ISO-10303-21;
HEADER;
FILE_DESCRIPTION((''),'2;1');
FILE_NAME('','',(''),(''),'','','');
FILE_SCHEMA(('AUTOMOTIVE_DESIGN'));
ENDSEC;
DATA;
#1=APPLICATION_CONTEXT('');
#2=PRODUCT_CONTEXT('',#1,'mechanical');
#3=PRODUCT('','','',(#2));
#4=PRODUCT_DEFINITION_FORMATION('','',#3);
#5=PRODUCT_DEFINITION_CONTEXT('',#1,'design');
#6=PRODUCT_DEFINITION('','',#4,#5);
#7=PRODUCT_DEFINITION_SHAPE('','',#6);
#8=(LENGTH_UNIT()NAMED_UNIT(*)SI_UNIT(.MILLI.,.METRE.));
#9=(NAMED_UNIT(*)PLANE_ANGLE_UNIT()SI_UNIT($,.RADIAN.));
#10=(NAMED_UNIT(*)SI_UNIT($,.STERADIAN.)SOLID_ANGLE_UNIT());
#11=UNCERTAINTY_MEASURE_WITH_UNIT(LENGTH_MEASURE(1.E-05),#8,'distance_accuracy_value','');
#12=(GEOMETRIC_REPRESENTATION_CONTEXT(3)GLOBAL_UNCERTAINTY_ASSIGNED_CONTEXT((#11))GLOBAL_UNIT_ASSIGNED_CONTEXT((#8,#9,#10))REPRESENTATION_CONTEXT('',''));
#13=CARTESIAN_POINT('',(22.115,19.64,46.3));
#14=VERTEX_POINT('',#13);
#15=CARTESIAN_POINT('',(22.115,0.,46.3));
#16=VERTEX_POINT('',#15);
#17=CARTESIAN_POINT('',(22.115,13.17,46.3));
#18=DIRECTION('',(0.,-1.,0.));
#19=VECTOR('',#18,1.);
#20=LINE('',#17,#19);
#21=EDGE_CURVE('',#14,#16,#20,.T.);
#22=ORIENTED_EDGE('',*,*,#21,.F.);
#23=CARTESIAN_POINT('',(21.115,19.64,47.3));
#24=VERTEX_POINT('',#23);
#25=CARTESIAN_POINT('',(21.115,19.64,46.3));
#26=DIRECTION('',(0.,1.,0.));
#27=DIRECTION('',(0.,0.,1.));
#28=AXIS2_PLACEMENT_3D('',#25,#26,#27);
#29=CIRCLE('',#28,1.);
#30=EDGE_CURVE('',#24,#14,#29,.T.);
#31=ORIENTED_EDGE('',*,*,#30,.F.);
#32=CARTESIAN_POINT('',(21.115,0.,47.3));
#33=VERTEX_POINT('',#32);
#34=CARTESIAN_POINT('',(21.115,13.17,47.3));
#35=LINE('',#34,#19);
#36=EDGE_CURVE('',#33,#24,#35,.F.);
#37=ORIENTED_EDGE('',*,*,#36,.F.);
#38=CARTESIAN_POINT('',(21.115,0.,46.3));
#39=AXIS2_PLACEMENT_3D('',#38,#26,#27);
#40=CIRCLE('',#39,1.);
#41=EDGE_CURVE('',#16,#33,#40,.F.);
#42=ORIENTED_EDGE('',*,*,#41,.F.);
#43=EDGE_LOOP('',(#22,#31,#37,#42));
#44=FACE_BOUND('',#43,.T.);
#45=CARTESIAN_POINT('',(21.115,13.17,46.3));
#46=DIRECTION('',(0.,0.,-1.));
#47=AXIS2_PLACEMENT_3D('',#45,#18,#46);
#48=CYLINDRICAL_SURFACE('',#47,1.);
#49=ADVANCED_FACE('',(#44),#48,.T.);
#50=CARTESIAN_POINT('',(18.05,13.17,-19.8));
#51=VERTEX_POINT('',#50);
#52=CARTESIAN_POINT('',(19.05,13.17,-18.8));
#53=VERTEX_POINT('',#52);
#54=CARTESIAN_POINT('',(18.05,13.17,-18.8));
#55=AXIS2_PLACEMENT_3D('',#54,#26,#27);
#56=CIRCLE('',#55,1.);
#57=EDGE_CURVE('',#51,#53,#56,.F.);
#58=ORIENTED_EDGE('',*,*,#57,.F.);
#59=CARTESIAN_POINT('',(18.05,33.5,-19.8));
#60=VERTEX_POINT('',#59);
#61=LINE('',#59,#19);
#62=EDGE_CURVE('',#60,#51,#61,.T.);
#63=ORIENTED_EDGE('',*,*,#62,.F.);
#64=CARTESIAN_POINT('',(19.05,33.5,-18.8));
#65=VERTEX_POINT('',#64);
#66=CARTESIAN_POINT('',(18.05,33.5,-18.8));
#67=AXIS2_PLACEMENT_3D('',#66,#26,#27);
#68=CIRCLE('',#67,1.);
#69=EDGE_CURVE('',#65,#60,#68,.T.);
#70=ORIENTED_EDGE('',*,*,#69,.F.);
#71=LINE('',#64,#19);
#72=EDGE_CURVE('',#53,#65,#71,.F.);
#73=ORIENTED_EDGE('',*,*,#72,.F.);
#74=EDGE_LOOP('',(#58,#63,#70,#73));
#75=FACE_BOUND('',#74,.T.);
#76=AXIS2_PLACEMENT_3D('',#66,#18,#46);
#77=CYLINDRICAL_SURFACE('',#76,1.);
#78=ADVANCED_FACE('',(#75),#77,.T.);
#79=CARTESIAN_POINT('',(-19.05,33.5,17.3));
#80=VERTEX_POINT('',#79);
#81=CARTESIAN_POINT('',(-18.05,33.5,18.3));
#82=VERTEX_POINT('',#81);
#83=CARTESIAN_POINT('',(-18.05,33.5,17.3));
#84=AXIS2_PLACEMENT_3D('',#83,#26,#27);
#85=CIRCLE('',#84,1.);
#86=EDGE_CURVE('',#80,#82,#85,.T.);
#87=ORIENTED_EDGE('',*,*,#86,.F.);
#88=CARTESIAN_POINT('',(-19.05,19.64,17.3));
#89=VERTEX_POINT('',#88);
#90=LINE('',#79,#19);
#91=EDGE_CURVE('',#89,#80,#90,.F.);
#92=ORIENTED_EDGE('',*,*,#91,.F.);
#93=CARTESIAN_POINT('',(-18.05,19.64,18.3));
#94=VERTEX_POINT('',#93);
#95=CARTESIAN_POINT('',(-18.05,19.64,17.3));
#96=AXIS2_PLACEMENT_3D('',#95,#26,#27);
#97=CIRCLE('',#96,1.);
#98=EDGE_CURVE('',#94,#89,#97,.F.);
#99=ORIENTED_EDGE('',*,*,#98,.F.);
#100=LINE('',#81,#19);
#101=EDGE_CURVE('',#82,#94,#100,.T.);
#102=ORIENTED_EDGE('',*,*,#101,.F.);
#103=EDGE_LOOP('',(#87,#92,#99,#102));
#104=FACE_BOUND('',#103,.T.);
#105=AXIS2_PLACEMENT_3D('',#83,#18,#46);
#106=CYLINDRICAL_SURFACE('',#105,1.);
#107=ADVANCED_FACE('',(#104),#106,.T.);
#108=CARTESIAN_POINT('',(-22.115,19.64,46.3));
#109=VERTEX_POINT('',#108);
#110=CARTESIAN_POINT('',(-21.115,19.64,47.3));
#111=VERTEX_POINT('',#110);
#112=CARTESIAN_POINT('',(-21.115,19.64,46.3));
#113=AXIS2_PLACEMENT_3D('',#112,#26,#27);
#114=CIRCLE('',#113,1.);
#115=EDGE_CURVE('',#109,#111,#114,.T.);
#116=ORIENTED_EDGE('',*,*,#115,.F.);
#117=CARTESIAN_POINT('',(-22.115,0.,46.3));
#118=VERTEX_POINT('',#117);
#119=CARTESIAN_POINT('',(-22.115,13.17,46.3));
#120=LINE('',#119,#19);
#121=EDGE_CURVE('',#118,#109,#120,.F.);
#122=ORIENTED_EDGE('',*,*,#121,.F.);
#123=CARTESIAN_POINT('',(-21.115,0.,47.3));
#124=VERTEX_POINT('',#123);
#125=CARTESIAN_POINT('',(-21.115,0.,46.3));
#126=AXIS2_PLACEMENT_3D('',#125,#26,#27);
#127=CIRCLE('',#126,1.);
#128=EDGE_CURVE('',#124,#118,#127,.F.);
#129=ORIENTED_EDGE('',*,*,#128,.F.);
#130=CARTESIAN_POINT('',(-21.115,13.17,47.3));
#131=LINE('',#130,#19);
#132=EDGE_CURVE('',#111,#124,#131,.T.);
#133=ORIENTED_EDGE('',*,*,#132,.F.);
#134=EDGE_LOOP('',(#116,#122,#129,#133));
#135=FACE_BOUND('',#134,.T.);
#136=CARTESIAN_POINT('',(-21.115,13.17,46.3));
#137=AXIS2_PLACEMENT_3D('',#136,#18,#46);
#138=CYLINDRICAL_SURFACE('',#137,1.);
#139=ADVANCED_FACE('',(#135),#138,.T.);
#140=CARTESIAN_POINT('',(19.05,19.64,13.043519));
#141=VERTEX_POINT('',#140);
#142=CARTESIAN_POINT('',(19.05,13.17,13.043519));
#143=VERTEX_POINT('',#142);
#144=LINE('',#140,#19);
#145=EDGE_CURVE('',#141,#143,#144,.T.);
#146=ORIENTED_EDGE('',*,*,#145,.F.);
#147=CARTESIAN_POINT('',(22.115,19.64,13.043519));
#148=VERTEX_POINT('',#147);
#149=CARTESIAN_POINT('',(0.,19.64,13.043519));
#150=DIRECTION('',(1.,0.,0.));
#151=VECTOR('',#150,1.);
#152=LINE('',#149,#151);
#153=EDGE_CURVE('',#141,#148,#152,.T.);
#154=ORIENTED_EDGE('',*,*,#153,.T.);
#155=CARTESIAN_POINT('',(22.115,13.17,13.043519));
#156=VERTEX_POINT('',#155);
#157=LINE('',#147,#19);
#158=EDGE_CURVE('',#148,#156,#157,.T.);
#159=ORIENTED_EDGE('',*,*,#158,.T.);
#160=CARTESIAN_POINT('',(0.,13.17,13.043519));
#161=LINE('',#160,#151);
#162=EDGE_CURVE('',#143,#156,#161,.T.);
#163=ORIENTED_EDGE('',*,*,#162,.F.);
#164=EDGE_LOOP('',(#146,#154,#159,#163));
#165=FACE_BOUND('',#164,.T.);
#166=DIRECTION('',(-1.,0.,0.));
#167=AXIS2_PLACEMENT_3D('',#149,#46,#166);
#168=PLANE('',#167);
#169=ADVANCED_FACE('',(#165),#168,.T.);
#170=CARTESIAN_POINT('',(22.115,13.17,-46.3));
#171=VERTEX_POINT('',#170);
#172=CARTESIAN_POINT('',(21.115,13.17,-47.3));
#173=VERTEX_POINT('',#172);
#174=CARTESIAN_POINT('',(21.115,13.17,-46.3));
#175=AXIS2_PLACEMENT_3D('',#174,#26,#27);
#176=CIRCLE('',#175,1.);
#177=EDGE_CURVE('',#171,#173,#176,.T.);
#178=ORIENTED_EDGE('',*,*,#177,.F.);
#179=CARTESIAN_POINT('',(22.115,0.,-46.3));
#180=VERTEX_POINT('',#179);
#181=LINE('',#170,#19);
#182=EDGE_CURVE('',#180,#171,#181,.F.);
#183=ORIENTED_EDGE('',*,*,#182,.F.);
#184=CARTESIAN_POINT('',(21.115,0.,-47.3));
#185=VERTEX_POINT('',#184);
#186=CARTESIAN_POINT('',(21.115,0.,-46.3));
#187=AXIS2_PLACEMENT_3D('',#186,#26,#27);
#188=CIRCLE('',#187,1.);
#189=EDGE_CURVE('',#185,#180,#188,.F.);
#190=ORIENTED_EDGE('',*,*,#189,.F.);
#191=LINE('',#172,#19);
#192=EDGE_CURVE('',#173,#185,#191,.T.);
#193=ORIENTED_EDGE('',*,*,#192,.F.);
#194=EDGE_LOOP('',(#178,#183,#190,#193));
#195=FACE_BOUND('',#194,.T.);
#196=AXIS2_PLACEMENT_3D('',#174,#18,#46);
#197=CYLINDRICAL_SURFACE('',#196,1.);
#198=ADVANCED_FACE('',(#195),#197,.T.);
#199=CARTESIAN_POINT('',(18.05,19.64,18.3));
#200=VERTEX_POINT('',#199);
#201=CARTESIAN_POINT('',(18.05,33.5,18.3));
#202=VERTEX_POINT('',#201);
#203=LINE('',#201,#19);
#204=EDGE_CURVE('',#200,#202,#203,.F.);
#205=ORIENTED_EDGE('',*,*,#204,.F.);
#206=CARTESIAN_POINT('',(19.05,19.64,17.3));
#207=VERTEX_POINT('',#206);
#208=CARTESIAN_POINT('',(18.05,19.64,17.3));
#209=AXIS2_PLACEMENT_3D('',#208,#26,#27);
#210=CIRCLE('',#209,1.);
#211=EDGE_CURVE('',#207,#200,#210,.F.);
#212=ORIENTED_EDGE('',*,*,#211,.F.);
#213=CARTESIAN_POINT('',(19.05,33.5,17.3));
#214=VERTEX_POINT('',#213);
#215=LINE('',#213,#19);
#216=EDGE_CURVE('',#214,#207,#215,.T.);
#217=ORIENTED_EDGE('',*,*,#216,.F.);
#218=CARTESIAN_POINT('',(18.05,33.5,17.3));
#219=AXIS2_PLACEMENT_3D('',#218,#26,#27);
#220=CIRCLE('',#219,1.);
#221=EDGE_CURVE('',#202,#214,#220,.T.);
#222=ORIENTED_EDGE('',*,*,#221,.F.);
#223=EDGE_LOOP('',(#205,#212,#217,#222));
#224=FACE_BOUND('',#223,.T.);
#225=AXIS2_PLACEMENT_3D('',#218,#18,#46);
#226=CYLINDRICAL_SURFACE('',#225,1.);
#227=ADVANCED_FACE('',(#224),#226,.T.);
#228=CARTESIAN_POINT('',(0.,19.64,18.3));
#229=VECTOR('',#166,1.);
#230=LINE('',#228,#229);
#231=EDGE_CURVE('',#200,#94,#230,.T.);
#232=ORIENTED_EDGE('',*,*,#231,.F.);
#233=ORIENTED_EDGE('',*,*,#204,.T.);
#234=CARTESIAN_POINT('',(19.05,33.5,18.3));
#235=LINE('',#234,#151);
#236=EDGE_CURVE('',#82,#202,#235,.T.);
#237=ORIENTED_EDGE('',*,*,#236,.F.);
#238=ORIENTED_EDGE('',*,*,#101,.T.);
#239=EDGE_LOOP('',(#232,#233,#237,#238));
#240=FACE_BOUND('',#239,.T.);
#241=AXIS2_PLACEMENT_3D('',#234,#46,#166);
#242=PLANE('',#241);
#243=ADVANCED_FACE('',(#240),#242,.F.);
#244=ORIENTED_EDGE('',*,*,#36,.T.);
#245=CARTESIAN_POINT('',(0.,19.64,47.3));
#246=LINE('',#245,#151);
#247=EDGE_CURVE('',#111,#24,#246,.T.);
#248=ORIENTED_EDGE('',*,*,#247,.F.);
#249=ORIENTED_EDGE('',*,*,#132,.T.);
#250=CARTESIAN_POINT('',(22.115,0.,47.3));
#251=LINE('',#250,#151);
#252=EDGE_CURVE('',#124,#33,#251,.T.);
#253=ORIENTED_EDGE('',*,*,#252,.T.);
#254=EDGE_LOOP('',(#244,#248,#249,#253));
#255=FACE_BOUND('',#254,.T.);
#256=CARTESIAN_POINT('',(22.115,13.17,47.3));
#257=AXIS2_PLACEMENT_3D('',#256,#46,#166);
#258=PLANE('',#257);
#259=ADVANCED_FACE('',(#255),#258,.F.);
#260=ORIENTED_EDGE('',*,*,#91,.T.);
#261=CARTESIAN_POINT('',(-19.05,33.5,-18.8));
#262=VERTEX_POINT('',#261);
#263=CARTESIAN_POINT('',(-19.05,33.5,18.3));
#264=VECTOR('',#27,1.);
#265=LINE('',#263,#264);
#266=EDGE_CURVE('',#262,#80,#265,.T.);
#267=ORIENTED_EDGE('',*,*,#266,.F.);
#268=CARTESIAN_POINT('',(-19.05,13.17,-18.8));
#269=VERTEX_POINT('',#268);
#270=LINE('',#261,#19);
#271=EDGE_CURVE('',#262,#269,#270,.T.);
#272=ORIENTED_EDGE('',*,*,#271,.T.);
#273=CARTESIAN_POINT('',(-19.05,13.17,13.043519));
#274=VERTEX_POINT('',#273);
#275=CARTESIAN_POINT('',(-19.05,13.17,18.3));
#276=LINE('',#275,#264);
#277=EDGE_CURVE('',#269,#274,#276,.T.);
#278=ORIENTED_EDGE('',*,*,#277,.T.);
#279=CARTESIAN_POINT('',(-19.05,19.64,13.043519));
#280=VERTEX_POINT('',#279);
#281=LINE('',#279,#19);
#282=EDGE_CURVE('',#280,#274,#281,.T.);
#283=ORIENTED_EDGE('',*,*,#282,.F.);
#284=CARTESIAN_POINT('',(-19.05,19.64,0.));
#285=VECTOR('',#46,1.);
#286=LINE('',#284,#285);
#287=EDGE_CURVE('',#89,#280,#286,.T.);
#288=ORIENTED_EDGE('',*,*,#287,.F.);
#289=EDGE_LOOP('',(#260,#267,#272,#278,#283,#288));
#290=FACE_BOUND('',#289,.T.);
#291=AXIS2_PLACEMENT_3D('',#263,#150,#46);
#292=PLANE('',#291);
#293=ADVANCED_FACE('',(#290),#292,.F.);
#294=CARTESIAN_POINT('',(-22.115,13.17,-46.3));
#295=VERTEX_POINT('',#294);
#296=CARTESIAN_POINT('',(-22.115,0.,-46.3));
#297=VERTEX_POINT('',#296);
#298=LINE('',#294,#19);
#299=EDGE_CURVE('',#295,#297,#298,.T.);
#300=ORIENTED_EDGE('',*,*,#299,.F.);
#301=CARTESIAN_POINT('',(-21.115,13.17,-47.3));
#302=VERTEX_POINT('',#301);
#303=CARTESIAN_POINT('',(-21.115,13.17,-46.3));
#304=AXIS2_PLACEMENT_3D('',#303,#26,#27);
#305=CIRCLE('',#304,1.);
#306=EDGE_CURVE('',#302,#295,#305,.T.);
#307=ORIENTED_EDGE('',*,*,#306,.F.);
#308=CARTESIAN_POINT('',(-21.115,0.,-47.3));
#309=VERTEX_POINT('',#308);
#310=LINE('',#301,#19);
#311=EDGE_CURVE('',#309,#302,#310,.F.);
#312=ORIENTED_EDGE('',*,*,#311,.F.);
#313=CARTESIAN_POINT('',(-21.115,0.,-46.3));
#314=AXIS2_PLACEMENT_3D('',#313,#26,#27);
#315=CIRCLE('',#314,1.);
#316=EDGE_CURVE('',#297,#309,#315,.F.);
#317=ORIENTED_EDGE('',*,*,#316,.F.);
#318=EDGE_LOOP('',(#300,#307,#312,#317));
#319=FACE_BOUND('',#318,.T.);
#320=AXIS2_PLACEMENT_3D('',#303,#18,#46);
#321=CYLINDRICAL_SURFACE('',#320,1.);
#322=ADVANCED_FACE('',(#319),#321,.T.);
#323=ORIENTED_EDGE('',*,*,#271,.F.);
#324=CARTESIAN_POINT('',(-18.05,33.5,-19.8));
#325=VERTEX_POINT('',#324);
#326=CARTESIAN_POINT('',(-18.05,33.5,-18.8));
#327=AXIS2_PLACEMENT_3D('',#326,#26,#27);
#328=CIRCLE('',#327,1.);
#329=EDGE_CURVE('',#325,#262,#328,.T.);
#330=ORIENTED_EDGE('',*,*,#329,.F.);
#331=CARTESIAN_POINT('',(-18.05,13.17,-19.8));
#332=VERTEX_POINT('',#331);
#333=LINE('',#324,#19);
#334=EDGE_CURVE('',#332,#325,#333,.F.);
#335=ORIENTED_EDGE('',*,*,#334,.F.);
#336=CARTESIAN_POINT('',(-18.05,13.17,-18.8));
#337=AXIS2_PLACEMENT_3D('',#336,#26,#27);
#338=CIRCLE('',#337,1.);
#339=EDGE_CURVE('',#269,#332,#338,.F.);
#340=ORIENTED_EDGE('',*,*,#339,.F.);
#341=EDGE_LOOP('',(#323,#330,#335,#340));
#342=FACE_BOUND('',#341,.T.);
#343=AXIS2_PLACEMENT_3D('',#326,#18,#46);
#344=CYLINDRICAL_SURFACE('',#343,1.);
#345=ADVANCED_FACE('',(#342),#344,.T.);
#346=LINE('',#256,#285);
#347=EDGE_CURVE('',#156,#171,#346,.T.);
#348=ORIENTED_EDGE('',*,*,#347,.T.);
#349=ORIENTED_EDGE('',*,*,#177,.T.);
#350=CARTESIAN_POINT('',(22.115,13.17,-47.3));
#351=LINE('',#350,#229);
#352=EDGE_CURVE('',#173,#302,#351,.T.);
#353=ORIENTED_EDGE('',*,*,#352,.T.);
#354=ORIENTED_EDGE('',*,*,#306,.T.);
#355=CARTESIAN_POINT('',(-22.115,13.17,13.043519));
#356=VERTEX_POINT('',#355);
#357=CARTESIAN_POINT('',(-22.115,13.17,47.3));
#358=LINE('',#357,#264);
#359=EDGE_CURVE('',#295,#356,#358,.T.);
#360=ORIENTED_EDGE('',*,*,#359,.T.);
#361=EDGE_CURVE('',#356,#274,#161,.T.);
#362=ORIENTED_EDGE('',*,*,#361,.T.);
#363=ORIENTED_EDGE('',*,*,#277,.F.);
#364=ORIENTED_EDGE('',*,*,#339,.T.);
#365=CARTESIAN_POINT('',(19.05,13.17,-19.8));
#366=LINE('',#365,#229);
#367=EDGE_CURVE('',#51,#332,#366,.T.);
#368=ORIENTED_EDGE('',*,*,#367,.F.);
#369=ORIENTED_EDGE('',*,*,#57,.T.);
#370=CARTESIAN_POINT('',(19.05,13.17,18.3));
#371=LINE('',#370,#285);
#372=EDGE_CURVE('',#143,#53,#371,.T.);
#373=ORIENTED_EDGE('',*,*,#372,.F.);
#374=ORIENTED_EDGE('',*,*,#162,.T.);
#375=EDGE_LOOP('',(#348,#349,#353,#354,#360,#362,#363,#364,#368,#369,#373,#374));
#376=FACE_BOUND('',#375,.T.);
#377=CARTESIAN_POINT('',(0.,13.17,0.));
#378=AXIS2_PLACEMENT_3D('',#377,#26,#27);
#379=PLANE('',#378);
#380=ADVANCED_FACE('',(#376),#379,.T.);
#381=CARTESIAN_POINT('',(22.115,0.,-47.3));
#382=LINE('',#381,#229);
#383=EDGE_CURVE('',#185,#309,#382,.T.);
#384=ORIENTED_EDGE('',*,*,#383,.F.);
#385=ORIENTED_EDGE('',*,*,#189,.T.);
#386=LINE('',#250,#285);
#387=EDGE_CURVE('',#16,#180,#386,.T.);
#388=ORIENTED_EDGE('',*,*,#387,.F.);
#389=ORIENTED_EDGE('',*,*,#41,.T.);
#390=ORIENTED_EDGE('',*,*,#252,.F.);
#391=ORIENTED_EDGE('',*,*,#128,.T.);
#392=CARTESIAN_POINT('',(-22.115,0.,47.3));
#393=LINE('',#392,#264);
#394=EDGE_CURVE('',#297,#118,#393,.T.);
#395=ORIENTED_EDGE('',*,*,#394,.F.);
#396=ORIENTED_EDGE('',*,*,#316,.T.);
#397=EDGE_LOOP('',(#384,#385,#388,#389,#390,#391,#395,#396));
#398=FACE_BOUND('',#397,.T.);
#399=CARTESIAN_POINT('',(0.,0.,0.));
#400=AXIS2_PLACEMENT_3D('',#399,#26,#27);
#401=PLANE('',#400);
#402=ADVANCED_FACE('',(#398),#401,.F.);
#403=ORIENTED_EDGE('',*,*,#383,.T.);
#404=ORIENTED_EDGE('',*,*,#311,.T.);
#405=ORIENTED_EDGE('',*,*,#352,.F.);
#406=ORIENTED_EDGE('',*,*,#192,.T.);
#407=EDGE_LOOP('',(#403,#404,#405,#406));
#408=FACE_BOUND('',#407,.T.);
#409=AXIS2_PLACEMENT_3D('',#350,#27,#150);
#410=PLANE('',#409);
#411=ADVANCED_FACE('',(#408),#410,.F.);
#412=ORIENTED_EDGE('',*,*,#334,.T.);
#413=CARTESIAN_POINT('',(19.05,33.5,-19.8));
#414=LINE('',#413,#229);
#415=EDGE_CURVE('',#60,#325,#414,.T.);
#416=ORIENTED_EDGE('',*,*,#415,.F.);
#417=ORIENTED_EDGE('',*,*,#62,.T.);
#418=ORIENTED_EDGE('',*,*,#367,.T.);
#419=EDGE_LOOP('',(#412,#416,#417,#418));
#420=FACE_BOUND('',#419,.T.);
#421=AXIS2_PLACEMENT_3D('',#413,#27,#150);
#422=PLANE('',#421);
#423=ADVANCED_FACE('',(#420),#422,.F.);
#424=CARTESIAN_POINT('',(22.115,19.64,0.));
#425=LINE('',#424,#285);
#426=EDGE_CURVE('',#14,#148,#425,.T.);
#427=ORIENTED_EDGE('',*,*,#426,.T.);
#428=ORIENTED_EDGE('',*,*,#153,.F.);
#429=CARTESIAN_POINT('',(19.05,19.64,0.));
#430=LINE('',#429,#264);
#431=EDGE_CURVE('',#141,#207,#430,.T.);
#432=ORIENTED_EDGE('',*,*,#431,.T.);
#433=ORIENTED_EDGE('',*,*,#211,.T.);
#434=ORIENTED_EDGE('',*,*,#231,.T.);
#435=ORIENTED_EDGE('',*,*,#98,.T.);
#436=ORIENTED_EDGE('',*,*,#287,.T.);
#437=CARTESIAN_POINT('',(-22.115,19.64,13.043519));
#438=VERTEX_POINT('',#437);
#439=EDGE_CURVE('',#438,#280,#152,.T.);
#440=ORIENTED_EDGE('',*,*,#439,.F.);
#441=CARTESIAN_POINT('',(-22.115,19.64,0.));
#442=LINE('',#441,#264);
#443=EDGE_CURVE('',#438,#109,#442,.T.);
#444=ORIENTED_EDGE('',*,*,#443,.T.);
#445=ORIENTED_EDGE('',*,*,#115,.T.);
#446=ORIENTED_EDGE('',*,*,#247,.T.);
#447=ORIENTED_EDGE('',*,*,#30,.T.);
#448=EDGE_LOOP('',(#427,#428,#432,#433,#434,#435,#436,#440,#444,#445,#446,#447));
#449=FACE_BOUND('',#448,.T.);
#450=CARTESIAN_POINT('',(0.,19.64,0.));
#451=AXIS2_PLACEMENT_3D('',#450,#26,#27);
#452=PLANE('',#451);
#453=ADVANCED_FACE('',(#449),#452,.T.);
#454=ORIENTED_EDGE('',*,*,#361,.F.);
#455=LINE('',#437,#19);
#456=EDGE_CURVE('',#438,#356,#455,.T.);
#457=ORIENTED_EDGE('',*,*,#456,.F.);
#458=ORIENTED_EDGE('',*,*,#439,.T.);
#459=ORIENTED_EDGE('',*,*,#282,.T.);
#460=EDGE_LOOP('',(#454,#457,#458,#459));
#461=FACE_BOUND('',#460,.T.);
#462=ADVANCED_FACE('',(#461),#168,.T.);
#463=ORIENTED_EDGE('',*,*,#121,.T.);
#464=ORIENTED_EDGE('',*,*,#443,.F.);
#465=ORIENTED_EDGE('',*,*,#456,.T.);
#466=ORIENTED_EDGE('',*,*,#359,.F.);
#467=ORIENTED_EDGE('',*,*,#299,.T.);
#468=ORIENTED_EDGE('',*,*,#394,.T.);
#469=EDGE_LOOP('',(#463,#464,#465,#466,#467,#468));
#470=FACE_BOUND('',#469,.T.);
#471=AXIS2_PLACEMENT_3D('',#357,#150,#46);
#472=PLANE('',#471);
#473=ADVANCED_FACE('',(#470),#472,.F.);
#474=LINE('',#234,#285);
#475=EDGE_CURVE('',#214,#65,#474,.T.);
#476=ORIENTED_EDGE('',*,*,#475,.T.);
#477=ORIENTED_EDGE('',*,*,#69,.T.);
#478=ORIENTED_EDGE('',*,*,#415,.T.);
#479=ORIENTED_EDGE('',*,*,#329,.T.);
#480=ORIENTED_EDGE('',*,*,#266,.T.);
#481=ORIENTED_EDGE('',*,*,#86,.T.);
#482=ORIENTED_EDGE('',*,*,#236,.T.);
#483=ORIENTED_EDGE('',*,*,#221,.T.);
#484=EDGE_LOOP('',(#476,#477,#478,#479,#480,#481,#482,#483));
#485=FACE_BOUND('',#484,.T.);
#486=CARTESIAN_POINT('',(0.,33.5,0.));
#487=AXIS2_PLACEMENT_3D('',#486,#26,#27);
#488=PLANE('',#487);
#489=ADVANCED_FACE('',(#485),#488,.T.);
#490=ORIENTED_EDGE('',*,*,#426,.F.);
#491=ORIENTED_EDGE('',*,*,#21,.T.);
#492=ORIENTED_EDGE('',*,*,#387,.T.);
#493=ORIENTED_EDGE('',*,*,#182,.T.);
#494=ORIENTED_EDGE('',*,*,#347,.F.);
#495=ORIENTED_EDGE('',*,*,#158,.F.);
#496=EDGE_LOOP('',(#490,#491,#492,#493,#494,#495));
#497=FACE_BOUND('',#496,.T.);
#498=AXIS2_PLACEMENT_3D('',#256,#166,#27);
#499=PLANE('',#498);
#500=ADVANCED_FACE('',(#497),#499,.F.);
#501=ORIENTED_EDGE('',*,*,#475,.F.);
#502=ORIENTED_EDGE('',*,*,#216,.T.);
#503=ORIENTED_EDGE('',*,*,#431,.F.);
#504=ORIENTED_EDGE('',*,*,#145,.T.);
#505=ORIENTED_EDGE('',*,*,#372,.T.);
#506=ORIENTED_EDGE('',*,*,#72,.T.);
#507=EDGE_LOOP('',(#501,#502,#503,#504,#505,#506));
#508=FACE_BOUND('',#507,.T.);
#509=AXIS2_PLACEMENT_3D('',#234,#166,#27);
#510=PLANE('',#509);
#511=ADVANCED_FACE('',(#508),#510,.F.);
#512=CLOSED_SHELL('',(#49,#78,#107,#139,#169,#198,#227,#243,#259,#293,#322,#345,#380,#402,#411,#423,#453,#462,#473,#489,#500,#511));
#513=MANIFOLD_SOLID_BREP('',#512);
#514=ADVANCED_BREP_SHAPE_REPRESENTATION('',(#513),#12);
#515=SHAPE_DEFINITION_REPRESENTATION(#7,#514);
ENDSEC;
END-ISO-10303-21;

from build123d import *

# Parameters (mm, degrees)
SKETCH1_W           = 44.23
SKETCH1_H           = 94.6
BOSS_EXTRUDE1_DEPTH = 13.17
SKETCH2_W           = 38.1
SKETCH2_H           = 38.1
BOSS_EXTRUDE2_DEPTH = 20.33
FILLET1_R           = 1
BOSS_EXTRUDE3_DEPTH = 6.47


with BuildPart() as part:
    # Sketch1 → Boss-Extrude1 (new body)
    with BuildSketch(Plane(origin=(0, 0, 0), x_dir=(1, 0, 0), z_dir=(0, 1, 0))):
        Rectangle(SKETCH1_W, SKETCH1_H)
    extrude(amount=BOSS_EXTRUDE1_DEPTH)

    # Sketch2 → Boss-Extrude2 (add)
    with BuildSketch(Plane(origin=(0, 13.17, 0), x_dir=(1, 0, 0), z_dir=(0, 1, 0))):
        with Locations((0, 0.75)):
            Rectangle(SKETCH2_W, SKETCH2_H)
    extrude(amount=BOSS_EXTRUDE2_DEPTH)

    # Fillet1
    fillet1_edges = [part.edges().sort_by_distance(p)[0] for p in [
        (-19.05, 23.335, -19.8),
        (-19.05, 23.335, 18.3),
        (19.05, 23.335, 18.3),
        (19.05, 23.335, -19.8),
        (-22.115, 6.585, -47.3),
        (22.115, 6.585, -47.3),
        (22.115, 6.585, 47.3),
        (-22.115, 6.585, 47.3),
    ]]
    fillet(fillet1_edges, radius=FILLET1_R)

    # Sketch3 → Boss-Extrude3 (add)
    with BuildSketch(Plane(origin=(0, 13.17, 0), x_dir=(1, 0, 0), z_dir=(0, 1, 0))):
        with BuildLine():
            Line((-19.05, -13.043519039), (-22.115, -13.043519039))
            Line((-22.115, -13.043519039), (-22.115, -46.3))
            ThreePointArc((-22.115, -46.3), (-22.038879533, -46.682683432), (-21.822106781, -47.007106781))
            ThreePointArc((-21.822106781, -47.007106781), (-21.497683432, -47.223879533), (-21.115, -47.3))
            Line((-21.115, -47.3), (21.115, -47.3))
            ThreePointArc((21.115, -47.3), (21.497683432, -47.223879533), (21.822106781, -47.007106781))
            ThreePointArc((21.822106781, -47.007106781), (22.038879533, -46.682683432), (22.115, -46.3))
            Line((22.115, -46.3), (22.115, -17.3))
            Line((22.115, -17.3), (22.115, -13.043519039))
            Line((22.115, -13.043519039), (19.05, -13.043519039))
            Line((19.05, -13.043519039), (19.05, -17.3))
            ThreePointArc((19.05, -17.3), (18.973879533, -17.682683432), (18.757106781, -18.007106781))
            ThreePointArc((18.757106781, -18.007106781), (18.432683432, -18.223879533), (18.05, -18.3))
            Line((18.05, -18.3), (1.214814512, -18.3))
            Line((1.214814512, -18.3), (-18.05, -18.3))
            ThreePointArc((-18.05, -18.3), (-18.432683432, -18.223879533), (-18.757106781, -18.007106781))
            ThreePointArc((-18.757106781, -18.007106781), (-18.973879533, -17.682683432), (-19.05, -17.3))
            Line((-19.05, -17.3), (-19.05, -13.043519039))
        make_face()
    extrude(amount=BOSS_EXTRUDE3_DEPTH)


solid = part.part
